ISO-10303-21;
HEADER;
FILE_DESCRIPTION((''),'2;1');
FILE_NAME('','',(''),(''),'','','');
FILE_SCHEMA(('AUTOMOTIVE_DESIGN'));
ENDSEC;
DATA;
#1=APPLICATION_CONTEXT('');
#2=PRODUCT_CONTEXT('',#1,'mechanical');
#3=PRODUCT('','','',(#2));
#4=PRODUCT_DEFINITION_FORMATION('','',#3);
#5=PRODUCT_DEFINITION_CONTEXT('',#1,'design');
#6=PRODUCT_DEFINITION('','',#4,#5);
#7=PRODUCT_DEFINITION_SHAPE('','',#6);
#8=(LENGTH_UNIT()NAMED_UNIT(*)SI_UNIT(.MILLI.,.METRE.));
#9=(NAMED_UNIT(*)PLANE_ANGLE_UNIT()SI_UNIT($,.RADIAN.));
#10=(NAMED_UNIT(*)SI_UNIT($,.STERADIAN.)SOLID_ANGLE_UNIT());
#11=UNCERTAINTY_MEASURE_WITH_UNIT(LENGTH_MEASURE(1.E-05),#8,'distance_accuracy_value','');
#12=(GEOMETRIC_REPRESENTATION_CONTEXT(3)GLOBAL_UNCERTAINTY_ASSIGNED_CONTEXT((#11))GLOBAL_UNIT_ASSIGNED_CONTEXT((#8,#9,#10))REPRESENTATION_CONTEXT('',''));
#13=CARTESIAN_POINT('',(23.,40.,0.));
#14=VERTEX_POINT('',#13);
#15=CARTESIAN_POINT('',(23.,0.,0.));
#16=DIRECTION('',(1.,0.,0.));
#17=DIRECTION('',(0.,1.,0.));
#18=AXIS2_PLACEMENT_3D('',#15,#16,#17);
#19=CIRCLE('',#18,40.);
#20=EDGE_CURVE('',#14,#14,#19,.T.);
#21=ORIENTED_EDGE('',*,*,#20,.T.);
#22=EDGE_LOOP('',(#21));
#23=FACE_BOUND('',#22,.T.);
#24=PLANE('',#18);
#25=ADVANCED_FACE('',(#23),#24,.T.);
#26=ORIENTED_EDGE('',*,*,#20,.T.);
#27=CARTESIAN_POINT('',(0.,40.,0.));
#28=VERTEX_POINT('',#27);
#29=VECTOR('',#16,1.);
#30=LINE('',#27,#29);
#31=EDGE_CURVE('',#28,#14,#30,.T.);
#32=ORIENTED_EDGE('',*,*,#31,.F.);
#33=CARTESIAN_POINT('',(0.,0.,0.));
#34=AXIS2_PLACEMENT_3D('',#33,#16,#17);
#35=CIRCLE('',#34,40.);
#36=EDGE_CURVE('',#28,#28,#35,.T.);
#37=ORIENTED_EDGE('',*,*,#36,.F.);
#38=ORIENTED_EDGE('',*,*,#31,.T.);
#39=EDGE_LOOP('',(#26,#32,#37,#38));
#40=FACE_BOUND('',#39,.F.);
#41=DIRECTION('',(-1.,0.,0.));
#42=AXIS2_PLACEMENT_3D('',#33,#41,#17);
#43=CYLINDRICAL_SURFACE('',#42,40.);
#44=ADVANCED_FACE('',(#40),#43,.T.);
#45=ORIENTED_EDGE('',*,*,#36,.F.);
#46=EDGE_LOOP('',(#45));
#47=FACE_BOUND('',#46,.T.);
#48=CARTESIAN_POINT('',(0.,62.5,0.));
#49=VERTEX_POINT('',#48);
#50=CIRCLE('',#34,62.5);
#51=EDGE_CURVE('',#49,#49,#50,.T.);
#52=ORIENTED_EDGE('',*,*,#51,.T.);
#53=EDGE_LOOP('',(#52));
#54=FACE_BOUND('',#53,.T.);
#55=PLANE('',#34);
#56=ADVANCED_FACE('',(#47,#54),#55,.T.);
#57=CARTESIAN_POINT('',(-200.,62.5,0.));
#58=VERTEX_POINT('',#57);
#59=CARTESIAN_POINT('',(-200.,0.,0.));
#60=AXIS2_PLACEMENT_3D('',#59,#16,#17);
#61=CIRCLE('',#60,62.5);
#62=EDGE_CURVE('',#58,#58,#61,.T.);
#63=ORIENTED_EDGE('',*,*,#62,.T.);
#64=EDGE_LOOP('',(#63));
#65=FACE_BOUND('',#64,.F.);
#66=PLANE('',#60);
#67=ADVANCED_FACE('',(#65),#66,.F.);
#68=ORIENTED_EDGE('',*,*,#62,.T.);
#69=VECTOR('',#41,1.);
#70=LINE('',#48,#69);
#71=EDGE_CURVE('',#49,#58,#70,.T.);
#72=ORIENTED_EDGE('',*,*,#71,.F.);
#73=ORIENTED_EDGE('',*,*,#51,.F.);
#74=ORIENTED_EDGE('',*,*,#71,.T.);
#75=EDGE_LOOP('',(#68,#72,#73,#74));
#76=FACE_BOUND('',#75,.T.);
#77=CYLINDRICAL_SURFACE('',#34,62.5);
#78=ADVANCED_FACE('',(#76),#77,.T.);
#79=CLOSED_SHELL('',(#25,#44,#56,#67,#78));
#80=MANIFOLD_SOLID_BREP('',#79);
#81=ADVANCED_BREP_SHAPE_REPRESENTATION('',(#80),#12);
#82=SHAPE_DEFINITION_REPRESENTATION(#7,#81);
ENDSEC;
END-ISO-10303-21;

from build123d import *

# Parameters (mm, degrees)
F0_R     = 62.5
F0_R_2   = 40
F1_DEPTH = 200
F2_DEPTH = 23


with BuildPart() as f1:
    # F0 (on Right) → F1 (new body)
    with BuildSketch(Plane.YZ):
        Circle(F0_R)
        Circle(F0_R_2, mode=Mode.SUBTRACT)
        Circle(F0_R_2)
    extrude(amount=-F1_DEPTH)

    # F0 (on Right) → F2 (join)
    with BuildSketch(Plane.YZ):
        Circle(F0_R_2)
    extrude(amount=F2_DEPTH)


solid = f1.part
